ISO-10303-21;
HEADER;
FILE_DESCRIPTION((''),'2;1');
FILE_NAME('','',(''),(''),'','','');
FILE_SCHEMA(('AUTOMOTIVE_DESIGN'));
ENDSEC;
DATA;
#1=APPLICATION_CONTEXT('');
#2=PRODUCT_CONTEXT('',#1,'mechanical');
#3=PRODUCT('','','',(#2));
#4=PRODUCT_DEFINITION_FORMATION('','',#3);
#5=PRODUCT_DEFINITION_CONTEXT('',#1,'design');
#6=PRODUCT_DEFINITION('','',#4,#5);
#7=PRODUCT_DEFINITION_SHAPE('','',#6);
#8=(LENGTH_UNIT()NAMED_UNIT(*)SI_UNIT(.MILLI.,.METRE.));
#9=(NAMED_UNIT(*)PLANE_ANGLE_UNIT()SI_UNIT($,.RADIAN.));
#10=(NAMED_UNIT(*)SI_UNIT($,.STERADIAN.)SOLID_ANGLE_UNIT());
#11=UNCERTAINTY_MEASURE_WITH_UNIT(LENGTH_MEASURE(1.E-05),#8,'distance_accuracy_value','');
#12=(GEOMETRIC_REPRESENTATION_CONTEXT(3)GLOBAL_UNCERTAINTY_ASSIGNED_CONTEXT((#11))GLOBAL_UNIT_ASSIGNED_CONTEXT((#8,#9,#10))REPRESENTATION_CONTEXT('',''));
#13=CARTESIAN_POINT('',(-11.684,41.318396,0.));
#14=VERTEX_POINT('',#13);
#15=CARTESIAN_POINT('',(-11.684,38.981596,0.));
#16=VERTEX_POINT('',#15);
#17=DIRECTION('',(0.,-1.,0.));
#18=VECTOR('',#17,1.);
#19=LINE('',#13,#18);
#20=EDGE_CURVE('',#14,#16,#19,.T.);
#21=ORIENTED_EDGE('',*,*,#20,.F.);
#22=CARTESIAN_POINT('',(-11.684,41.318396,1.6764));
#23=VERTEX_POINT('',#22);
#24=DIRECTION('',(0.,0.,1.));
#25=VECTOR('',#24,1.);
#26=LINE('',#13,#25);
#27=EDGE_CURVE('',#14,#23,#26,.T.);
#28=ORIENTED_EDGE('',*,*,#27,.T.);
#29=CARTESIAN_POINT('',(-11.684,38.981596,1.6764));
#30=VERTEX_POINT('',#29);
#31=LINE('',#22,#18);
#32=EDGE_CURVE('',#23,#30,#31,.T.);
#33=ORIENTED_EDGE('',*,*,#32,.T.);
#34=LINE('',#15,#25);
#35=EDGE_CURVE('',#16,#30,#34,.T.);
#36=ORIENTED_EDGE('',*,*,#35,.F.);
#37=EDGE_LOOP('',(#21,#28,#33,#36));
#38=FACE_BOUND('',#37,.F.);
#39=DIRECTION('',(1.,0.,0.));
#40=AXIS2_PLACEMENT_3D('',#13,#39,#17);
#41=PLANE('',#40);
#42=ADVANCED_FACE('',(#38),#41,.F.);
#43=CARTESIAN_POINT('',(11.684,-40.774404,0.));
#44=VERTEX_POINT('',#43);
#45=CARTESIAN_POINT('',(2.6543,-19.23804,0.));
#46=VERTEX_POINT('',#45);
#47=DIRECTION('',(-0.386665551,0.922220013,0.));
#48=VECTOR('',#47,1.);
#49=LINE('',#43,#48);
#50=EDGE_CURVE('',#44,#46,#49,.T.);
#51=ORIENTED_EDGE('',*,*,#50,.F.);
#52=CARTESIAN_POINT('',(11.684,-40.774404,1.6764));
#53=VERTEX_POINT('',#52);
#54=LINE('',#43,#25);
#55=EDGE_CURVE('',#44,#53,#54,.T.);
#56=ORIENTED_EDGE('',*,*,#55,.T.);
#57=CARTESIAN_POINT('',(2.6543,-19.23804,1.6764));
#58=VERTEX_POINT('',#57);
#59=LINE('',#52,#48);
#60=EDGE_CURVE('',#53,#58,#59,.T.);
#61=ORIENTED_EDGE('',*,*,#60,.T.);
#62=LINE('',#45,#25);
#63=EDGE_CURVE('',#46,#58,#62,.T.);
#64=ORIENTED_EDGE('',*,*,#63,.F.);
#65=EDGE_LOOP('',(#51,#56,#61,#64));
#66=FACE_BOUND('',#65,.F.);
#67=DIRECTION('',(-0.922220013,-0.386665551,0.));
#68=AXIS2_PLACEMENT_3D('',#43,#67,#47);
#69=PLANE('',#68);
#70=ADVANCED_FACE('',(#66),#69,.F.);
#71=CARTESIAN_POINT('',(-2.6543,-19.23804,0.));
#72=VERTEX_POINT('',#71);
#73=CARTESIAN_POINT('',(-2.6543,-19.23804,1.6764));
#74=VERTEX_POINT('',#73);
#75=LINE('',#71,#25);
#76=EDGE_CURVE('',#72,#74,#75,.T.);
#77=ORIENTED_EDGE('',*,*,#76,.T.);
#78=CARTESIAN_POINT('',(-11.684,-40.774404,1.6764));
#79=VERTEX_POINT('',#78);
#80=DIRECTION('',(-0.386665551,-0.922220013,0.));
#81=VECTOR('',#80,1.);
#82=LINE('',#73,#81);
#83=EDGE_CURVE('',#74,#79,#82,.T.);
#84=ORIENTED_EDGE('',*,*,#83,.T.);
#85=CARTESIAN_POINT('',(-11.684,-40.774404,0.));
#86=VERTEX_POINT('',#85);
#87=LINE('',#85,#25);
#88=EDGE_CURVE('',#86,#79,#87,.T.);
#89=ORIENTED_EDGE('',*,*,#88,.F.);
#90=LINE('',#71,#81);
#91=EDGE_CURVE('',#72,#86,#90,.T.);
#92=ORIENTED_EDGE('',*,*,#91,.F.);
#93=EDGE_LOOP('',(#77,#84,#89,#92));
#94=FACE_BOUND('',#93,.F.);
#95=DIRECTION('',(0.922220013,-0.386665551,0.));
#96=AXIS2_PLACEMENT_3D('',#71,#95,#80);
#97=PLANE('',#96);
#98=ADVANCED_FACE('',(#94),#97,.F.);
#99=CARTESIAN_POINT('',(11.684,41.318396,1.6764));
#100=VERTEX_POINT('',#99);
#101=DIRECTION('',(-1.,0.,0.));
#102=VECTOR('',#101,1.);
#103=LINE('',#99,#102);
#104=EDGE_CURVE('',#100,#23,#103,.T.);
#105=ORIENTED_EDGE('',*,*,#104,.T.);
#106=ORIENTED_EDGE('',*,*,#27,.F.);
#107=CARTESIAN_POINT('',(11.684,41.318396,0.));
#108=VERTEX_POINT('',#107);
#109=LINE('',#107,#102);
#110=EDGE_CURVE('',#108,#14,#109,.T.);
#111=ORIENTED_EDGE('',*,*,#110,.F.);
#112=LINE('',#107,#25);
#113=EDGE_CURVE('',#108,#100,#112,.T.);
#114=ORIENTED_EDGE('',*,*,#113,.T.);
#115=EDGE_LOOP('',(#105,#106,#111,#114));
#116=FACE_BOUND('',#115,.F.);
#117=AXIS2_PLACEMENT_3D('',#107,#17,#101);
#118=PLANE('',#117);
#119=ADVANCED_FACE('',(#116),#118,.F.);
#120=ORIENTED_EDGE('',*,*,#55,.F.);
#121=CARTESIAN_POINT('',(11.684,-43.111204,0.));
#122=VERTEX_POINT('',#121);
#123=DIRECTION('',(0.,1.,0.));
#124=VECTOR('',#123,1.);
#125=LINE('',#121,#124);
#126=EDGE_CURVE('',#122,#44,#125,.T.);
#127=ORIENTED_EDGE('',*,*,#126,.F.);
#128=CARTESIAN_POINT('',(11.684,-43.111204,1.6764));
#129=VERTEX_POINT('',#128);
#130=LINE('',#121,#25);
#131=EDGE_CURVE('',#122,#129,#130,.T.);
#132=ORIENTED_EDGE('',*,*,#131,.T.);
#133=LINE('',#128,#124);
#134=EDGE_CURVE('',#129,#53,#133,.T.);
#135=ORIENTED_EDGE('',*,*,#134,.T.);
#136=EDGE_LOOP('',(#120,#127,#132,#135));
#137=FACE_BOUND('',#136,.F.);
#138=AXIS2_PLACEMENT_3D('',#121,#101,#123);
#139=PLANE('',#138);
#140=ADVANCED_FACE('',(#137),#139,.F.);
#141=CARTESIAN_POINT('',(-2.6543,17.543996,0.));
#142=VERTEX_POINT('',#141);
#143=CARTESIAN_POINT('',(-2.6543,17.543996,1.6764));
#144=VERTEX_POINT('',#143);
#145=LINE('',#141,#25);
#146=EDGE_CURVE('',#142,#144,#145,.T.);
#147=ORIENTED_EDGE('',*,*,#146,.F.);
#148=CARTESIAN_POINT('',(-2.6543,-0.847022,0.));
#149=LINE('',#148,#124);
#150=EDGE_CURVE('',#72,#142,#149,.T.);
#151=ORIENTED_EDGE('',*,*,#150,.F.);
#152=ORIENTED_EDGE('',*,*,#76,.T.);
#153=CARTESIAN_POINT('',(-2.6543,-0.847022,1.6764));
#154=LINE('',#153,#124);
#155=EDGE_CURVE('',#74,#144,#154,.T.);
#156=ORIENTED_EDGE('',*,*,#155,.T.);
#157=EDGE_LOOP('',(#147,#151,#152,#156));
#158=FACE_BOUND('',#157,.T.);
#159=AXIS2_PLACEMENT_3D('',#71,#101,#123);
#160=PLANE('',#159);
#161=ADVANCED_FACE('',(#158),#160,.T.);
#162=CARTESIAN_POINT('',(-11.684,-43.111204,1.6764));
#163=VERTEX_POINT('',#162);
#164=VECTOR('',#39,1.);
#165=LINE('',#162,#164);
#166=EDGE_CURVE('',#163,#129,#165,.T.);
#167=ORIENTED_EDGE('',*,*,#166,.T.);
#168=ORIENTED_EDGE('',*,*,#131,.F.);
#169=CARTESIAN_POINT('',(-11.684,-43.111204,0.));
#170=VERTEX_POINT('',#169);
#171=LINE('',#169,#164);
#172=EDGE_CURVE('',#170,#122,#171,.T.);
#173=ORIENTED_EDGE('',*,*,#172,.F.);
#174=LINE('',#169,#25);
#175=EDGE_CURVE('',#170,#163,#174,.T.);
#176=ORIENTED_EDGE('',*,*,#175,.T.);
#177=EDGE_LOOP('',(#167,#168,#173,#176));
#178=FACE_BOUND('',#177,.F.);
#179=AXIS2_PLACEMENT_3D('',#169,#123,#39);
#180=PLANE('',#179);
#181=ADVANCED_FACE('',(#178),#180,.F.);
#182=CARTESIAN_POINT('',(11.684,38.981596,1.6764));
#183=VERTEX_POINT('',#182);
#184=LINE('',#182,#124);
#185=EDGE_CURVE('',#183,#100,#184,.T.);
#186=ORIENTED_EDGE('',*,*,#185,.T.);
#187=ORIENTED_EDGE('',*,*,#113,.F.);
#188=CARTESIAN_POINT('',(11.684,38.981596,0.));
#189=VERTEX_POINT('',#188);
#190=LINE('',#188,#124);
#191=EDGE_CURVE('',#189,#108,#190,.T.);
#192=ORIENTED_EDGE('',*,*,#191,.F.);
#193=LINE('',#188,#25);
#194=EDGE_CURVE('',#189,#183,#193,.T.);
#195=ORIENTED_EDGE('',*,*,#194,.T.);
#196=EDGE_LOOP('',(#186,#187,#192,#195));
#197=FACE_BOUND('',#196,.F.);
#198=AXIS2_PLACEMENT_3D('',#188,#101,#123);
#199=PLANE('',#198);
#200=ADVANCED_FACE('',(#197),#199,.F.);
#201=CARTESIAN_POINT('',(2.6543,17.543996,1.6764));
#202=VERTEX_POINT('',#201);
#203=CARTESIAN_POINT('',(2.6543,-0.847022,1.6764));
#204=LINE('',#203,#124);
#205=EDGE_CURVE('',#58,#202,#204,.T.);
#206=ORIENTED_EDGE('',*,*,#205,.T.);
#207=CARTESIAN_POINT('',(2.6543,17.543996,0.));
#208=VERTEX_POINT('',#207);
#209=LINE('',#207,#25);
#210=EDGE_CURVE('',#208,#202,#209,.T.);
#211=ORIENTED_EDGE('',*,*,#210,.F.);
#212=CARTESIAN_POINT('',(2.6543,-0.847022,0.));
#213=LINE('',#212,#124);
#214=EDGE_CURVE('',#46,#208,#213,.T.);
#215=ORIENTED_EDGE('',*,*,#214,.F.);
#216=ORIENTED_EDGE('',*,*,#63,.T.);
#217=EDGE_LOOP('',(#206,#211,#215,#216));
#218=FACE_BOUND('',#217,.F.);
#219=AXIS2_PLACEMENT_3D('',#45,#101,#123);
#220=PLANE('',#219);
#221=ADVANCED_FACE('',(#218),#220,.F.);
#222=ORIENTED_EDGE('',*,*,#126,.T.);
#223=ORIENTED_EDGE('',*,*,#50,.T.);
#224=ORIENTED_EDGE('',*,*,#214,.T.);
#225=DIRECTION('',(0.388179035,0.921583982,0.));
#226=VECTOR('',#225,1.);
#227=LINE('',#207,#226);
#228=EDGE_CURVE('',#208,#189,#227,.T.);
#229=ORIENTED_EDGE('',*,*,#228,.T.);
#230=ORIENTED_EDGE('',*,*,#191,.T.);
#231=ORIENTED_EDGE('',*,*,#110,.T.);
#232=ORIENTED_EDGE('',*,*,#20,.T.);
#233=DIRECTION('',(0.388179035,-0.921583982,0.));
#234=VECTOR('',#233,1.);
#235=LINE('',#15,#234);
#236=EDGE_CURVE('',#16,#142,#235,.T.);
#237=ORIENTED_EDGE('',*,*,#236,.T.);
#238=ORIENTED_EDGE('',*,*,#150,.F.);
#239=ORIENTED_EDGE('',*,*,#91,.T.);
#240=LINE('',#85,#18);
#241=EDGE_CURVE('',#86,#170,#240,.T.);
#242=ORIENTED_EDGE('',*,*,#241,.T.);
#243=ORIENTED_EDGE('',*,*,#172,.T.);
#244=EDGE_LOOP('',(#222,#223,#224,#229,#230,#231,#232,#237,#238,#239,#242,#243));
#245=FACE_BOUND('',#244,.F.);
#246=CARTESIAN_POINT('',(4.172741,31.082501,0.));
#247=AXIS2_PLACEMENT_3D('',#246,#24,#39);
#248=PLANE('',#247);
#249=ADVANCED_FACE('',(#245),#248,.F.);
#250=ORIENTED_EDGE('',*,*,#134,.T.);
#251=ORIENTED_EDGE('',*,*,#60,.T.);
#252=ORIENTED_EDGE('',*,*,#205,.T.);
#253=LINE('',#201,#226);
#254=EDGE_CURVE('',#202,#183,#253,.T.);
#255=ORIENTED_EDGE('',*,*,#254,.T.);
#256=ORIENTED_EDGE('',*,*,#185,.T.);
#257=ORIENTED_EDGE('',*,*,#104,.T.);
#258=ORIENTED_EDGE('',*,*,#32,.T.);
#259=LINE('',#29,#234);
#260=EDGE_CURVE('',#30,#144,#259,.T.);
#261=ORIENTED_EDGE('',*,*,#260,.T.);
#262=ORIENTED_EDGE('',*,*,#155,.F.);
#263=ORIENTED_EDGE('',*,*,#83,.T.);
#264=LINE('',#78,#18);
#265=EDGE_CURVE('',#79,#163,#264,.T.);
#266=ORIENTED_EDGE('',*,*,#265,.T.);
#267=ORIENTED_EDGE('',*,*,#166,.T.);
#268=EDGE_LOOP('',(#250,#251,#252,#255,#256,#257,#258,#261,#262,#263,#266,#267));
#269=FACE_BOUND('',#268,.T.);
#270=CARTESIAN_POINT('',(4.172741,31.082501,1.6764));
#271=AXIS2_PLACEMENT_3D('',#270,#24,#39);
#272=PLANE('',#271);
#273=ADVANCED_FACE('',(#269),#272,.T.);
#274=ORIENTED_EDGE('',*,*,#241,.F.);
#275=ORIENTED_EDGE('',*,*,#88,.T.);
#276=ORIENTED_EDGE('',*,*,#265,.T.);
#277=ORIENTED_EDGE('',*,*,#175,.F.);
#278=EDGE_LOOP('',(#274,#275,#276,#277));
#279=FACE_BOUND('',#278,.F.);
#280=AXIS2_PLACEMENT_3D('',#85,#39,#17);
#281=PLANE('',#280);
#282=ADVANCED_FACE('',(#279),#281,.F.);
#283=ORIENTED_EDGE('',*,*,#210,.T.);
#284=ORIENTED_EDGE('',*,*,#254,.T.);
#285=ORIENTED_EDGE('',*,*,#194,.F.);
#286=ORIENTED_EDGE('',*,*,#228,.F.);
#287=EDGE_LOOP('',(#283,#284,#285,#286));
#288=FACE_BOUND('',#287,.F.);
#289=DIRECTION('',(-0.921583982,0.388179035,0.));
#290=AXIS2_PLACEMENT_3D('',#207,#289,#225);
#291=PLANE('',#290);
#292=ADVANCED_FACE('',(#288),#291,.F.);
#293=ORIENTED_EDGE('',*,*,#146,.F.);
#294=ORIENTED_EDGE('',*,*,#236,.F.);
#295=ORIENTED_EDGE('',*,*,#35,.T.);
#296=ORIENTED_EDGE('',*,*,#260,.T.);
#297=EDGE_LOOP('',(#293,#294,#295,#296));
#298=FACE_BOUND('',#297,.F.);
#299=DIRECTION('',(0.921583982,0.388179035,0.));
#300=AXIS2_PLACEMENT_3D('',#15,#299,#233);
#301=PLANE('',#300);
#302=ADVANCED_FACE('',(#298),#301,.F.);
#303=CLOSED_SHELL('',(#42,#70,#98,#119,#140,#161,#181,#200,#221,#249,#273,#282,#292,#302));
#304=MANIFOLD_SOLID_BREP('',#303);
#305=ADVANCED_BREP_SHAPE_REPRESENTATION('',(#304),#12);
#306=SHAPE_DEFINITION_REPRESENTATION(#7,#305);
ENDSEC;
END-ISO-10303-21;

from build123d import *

# Parameters (mm, degrees)
F0_W     = 2.6543
F0_H     = 36.782036
F1_DEPTH = 1.6764


with BuildPart() as f1:
    # F0 (on Top) → F1 (new body)
    with BuildSketch(Plane.XY):
        Polygon((0, 41.318396), (0, 17.543996), (2.6543, 17.543996), (11.684, 38.981596), (11.684, 41.318396), align=None)
        Polygon((-2.6543, 17.543996), (0, 17.543996), (0, 41.318396), (-11.684, 41.318396), (-11.684, 38.981596), align=None)
        with Locations((1.32715, -0.847022)):
            Rectangle(F0_W, F0_H)
        with Locations((-1.32715, -0.847022)):
            Rectangle(F0_W, F0_H)
        Polygon((0, -19.336804), (0, -19.23804), (-2.6543, -19.23804), (-11.684, -40.774404), (-11.684, -43.111204), (0, -43.111204), align=None)
        Polygon((2.6543, -19.23804), (0, -19.23804), (0, -19.336804), (0, -43.111204), (11.684, -43.111204), (11.684, -40.774404), align=None)
    extrude(amount=F1_DEPTH)


solid = f1.part
